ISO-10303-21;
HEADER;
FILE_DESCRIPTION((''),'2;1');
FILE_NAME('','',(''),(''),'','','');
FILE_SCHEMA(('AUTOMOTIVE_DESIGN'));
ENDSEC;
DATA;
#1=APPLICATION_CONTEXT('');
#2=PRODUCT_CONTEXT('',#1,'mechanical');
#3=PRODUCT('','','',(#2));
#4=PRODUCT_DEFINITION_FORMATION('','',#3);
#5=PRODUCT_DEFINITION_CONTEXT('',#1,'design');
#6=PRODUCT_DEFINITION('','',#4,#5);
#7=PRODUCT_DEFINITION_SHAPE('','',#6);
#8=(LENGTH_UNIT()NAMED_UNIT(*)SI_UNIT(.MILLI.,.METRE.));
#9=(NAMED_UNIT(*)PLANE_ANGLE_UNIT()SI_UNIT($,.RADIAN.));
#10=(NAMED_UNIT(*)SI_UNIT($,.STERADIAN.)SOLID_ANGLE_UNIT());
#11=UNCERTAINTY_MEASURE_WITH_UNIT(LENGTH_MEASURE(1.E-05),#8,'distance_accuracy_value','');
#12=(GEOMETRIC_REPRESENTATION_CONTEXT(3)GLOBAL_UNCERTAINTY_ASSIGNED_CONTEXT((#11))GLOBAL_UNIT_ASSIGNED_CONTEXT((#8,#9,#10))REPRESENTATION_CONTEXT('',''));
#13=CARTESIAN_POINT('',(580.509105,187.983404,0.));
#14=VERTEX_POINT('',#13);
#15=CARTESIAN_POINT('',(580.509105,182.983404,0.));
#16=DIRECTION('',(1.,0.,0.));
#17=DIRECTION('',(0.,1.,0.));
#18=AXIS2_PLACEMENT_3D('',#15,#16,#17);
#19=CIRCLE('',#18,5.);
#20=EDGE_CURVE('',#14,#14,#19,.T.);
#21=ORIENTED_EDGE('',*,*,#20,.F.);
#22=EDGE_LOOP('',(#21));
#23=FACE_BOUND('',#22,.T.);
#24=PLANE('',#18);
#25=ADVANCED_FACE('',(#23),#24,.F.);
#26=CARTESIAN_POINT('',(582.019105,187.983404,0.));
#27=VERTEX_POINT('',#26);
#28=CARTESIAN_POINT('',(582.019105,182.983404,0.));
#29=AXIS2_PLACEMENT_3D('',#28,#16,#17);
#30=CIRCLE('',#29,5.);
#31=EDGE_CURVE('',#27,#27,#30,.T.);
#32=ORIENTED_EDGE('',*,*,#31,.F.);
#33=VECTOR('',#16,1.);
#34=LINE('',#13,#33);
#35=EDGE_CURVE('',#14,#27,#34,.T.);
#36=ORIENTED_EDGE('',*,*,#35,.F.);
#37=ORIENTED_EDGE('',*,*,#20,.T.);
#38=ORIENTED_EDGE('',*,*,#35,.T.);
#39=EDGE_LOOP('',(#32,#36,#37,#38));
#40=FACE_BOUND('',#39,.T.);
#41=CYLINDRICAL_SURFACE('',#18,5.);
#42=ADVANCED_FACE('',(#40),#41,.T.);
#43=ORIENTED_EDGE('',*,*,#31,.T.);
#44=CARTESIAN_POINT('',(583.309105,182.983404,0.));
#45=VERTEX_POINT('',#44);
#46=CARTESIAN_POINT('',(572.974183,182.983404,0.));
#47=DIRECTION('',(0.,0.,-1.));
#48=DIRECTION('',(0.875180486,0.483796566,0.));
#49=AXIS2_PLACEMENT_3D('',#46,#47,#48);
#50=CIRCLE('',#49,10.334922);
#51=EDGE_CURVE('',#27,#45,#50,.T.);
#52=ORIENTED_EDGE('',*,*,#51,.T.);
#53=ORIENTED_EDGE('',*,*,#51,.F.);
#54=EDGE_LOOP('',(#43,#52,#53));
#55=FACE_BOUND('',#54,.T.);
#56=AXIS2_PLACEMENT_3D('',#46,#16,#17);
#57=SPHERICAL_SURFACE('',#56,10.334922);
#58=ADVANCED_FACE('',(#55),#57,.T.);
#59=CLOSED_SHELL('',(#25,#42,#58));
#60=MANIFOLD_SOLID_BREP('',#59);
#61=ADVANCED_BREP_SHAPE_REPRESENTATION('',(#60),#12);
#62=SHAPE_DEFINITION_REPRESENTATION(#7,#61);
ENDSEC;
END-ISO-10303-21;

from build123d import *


with BuildPart() as part:
    # 草图1 → 旋转1 (revolve)
    with BuildSketch(Plane.XY):
        with BuildLine():
            Line((580.50910527, 182.983404293), (580.50910527, 187.983404293))
            Line((580.50910527, 187.983404293), (582.01910527, 187.983404293))
            ThreePointArc((582.01910527, 187.983404293), (582.981410062, 185.565268929), (583.30910527, 182.983404293))
            Line((583.30910527, 182.983404293), (580.50910527, 182.983404293))
        make_face()
    revolve(axis=Axis((579.277584696, 182.983404293, 0), (1, 0, 0)))


solid = part.part
